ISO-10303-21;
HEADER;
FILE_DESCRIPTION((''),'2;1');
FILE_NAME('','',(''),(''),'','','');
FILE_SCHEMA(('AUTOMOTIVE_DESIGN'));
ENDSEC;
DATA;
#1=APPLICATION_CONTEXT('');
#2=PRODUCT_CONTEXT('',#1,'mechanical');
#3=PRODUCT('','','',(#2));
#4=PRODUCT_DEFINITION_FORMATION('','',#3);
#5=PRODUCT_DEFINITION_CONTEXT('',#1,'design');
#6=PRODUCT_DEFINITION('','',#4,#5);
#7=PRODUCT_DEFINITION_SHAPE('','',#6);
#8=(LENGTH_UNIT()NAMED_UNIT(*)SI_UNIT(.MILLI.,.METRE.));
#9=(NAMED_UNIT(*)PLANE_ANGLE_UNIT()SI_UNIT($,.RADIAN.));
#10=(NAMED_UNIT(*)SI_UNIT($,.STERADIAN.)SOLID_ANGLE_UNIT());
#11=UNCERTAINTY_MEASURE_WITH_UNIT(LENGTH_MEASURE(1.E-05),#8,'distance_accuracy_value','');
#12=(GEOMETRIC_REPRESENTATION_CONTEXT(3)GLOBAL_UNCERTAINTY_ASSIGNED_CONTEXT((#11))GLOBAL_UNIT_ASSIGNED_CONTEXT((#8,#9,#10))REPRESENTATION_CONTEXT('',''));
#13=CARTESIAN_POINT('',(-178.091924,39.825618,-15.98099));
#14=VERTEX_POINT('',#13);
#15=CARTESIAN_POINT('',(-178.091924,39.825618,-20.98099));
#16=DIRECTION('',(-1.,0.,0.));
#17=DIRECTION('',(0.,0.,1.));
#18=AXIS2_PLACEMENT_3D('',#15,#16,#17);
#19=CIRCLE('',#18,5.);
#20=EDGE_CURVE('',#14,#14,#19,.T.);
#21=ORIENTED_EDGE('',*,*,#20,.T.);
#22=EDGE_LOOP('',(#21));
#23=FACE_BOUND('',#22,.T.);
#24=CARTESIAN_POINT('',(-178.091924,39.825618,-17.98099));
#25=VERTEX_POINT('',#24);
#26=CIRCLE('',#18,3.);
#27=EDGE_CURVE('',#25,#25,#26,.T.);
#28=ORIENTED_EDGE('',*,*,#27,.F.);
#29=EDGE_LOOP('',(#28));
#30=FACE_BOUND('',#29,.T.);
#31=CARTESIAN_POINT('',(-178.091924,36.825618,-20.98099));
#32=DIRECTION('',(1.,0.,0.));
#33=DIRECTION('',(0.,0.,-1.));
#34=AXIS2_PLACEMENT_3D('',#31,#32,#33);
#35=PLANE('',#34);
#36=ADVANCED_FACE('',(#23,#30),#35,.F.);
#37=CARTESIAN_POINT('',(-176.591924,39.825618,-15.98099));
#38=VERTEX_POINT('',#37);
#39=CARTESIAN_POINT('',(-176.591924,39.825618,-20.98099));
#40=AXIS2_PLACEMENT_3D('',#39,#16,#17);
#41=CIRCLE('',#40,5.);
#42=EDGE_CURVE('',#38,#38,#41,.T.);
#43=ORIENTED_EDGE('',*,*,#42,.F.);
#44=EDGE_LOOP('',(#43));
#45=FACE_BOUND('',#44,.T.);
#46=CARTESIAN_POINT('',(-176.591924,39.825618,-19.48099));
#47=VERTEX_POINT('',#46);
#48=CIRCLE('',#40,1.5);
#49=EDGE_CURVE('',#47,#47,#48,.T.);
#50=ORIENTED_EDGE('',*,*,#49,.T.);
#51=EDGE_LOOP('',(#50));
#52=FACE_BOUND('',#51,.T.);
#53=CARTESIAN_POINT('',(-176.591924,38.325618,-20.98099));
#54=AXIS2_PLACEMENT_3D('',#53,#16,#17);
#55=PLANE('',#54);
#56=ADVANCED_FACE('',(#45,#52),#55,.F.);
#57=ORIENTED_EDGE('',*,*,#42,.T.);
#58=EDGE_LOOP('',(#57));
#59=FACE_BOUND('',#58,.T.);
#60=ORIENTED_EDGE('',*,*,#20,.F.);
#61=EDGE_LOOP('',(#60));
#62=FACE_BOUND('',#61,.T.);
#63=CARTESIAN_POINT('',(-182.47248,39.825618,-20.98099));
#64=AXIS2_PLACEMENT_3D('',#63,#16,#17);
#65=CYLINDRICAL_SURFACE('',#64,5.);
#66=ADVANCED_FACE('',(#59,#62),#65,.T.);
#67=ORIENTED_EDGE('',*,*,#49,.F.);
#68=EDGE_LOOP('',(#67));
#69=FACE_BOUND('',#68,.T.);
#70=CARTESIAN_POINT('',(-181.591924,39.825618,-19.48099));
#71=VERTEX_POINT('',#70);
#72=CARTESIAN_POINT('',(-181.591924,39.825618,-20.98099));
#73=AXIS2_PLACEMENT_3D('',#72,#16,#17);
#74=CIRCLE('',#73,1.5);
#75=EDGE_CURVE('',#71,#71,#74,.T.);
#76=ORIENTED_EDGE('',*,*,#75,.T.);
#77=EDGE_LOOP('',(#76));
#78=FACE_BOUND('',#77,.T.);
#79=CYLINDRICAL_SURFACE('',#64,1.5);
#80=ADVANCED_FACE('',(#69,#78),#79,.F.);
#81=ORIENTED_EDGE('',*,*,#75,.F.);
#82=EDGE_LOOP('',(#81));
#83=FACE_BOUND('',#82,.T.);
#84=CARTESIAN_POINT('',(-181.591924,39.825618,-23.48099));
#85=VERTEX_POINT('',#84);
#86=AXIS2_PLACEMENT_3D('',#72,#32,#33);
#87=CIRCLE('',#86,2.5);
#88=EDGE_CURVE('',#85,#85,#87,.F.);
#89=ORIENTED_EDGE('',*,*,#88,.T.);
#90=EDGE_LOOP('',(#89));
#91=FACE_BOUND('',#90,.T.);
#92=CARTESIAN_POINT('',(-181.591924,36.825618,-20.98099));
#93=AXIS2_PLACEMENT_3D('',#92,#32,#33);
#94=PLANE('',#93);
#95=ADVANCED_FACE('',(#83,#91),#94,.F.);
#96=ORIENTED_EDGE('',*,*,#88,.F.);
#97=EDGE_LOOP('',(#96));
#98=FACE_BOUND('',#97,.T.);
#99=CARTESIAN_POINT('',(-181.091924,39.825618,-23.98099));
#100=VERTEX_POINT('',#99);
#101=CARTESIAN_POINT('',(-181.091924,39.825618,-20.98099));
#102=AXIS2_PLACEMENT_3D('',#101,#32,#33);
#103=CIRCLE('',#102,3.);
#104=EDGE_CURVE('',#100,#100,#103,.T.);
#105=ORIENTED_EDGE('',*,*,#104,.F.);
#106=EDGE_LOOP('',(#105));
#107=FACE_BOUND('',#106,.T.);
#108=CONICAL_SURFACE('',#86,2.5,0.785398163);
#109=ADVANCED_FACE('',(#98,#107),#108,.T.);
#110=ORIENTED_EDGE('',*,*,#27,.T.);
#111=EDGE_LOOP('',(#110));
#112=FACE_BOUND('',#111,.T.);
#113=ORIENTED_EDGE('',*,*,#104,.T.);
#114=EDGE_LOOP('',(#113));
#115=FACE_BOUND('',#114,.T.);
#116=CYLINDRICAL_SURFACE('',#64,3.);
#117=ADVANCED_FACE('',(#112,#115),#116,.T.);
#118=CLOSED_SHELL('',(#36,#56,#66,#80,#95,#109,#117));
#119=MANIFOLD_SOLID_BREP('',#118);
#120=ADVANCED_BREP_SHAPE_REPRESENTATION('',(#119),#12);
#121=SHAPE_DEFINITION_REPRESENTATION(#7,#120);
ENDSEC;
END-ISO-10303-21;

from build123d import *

# Parameters (mm, degrees)
CHANFREIN1_SIZE = 0.5


with BuildPart() as part:
    # Esquisse1 → Révolution1 (revolve)
    with BuildSketch(Plane(origin=(0, 0, -20.980989745), x_dir=(-1, 0, 0), z_dir=(0, 0, -1)), mode=Mode.PRIVATE) as r_volution1_sk:
        Polygon((176.591924368, 38.325618202), (176.591924368, 34.825618202), (178.091924368, 34.825618202), (178.091924368, 36.825618202), (181.591924368, 36.825618202), (181.591924368, 38.325618202), align=None)
    revolve(r_volution1_sk.sketch.rotate(Axis((-182.472480167, 39.825618202, -20.980989745), (1, 0, 0)), 270), axis=Axis((-182.472480167, 39.825618202, -20.980989745), (1, 0, 0)))

    # Chanfrein1
    chanfrein1_edges = [part.edges().sort_by_distance(p)[0] for p in [
        (-181.591924368, 39.825618202, -23.980989745),
    ]]
    chamfer(chanfrein1_edges, length=CHANFREIN1_SIZE)


solid = part.part
